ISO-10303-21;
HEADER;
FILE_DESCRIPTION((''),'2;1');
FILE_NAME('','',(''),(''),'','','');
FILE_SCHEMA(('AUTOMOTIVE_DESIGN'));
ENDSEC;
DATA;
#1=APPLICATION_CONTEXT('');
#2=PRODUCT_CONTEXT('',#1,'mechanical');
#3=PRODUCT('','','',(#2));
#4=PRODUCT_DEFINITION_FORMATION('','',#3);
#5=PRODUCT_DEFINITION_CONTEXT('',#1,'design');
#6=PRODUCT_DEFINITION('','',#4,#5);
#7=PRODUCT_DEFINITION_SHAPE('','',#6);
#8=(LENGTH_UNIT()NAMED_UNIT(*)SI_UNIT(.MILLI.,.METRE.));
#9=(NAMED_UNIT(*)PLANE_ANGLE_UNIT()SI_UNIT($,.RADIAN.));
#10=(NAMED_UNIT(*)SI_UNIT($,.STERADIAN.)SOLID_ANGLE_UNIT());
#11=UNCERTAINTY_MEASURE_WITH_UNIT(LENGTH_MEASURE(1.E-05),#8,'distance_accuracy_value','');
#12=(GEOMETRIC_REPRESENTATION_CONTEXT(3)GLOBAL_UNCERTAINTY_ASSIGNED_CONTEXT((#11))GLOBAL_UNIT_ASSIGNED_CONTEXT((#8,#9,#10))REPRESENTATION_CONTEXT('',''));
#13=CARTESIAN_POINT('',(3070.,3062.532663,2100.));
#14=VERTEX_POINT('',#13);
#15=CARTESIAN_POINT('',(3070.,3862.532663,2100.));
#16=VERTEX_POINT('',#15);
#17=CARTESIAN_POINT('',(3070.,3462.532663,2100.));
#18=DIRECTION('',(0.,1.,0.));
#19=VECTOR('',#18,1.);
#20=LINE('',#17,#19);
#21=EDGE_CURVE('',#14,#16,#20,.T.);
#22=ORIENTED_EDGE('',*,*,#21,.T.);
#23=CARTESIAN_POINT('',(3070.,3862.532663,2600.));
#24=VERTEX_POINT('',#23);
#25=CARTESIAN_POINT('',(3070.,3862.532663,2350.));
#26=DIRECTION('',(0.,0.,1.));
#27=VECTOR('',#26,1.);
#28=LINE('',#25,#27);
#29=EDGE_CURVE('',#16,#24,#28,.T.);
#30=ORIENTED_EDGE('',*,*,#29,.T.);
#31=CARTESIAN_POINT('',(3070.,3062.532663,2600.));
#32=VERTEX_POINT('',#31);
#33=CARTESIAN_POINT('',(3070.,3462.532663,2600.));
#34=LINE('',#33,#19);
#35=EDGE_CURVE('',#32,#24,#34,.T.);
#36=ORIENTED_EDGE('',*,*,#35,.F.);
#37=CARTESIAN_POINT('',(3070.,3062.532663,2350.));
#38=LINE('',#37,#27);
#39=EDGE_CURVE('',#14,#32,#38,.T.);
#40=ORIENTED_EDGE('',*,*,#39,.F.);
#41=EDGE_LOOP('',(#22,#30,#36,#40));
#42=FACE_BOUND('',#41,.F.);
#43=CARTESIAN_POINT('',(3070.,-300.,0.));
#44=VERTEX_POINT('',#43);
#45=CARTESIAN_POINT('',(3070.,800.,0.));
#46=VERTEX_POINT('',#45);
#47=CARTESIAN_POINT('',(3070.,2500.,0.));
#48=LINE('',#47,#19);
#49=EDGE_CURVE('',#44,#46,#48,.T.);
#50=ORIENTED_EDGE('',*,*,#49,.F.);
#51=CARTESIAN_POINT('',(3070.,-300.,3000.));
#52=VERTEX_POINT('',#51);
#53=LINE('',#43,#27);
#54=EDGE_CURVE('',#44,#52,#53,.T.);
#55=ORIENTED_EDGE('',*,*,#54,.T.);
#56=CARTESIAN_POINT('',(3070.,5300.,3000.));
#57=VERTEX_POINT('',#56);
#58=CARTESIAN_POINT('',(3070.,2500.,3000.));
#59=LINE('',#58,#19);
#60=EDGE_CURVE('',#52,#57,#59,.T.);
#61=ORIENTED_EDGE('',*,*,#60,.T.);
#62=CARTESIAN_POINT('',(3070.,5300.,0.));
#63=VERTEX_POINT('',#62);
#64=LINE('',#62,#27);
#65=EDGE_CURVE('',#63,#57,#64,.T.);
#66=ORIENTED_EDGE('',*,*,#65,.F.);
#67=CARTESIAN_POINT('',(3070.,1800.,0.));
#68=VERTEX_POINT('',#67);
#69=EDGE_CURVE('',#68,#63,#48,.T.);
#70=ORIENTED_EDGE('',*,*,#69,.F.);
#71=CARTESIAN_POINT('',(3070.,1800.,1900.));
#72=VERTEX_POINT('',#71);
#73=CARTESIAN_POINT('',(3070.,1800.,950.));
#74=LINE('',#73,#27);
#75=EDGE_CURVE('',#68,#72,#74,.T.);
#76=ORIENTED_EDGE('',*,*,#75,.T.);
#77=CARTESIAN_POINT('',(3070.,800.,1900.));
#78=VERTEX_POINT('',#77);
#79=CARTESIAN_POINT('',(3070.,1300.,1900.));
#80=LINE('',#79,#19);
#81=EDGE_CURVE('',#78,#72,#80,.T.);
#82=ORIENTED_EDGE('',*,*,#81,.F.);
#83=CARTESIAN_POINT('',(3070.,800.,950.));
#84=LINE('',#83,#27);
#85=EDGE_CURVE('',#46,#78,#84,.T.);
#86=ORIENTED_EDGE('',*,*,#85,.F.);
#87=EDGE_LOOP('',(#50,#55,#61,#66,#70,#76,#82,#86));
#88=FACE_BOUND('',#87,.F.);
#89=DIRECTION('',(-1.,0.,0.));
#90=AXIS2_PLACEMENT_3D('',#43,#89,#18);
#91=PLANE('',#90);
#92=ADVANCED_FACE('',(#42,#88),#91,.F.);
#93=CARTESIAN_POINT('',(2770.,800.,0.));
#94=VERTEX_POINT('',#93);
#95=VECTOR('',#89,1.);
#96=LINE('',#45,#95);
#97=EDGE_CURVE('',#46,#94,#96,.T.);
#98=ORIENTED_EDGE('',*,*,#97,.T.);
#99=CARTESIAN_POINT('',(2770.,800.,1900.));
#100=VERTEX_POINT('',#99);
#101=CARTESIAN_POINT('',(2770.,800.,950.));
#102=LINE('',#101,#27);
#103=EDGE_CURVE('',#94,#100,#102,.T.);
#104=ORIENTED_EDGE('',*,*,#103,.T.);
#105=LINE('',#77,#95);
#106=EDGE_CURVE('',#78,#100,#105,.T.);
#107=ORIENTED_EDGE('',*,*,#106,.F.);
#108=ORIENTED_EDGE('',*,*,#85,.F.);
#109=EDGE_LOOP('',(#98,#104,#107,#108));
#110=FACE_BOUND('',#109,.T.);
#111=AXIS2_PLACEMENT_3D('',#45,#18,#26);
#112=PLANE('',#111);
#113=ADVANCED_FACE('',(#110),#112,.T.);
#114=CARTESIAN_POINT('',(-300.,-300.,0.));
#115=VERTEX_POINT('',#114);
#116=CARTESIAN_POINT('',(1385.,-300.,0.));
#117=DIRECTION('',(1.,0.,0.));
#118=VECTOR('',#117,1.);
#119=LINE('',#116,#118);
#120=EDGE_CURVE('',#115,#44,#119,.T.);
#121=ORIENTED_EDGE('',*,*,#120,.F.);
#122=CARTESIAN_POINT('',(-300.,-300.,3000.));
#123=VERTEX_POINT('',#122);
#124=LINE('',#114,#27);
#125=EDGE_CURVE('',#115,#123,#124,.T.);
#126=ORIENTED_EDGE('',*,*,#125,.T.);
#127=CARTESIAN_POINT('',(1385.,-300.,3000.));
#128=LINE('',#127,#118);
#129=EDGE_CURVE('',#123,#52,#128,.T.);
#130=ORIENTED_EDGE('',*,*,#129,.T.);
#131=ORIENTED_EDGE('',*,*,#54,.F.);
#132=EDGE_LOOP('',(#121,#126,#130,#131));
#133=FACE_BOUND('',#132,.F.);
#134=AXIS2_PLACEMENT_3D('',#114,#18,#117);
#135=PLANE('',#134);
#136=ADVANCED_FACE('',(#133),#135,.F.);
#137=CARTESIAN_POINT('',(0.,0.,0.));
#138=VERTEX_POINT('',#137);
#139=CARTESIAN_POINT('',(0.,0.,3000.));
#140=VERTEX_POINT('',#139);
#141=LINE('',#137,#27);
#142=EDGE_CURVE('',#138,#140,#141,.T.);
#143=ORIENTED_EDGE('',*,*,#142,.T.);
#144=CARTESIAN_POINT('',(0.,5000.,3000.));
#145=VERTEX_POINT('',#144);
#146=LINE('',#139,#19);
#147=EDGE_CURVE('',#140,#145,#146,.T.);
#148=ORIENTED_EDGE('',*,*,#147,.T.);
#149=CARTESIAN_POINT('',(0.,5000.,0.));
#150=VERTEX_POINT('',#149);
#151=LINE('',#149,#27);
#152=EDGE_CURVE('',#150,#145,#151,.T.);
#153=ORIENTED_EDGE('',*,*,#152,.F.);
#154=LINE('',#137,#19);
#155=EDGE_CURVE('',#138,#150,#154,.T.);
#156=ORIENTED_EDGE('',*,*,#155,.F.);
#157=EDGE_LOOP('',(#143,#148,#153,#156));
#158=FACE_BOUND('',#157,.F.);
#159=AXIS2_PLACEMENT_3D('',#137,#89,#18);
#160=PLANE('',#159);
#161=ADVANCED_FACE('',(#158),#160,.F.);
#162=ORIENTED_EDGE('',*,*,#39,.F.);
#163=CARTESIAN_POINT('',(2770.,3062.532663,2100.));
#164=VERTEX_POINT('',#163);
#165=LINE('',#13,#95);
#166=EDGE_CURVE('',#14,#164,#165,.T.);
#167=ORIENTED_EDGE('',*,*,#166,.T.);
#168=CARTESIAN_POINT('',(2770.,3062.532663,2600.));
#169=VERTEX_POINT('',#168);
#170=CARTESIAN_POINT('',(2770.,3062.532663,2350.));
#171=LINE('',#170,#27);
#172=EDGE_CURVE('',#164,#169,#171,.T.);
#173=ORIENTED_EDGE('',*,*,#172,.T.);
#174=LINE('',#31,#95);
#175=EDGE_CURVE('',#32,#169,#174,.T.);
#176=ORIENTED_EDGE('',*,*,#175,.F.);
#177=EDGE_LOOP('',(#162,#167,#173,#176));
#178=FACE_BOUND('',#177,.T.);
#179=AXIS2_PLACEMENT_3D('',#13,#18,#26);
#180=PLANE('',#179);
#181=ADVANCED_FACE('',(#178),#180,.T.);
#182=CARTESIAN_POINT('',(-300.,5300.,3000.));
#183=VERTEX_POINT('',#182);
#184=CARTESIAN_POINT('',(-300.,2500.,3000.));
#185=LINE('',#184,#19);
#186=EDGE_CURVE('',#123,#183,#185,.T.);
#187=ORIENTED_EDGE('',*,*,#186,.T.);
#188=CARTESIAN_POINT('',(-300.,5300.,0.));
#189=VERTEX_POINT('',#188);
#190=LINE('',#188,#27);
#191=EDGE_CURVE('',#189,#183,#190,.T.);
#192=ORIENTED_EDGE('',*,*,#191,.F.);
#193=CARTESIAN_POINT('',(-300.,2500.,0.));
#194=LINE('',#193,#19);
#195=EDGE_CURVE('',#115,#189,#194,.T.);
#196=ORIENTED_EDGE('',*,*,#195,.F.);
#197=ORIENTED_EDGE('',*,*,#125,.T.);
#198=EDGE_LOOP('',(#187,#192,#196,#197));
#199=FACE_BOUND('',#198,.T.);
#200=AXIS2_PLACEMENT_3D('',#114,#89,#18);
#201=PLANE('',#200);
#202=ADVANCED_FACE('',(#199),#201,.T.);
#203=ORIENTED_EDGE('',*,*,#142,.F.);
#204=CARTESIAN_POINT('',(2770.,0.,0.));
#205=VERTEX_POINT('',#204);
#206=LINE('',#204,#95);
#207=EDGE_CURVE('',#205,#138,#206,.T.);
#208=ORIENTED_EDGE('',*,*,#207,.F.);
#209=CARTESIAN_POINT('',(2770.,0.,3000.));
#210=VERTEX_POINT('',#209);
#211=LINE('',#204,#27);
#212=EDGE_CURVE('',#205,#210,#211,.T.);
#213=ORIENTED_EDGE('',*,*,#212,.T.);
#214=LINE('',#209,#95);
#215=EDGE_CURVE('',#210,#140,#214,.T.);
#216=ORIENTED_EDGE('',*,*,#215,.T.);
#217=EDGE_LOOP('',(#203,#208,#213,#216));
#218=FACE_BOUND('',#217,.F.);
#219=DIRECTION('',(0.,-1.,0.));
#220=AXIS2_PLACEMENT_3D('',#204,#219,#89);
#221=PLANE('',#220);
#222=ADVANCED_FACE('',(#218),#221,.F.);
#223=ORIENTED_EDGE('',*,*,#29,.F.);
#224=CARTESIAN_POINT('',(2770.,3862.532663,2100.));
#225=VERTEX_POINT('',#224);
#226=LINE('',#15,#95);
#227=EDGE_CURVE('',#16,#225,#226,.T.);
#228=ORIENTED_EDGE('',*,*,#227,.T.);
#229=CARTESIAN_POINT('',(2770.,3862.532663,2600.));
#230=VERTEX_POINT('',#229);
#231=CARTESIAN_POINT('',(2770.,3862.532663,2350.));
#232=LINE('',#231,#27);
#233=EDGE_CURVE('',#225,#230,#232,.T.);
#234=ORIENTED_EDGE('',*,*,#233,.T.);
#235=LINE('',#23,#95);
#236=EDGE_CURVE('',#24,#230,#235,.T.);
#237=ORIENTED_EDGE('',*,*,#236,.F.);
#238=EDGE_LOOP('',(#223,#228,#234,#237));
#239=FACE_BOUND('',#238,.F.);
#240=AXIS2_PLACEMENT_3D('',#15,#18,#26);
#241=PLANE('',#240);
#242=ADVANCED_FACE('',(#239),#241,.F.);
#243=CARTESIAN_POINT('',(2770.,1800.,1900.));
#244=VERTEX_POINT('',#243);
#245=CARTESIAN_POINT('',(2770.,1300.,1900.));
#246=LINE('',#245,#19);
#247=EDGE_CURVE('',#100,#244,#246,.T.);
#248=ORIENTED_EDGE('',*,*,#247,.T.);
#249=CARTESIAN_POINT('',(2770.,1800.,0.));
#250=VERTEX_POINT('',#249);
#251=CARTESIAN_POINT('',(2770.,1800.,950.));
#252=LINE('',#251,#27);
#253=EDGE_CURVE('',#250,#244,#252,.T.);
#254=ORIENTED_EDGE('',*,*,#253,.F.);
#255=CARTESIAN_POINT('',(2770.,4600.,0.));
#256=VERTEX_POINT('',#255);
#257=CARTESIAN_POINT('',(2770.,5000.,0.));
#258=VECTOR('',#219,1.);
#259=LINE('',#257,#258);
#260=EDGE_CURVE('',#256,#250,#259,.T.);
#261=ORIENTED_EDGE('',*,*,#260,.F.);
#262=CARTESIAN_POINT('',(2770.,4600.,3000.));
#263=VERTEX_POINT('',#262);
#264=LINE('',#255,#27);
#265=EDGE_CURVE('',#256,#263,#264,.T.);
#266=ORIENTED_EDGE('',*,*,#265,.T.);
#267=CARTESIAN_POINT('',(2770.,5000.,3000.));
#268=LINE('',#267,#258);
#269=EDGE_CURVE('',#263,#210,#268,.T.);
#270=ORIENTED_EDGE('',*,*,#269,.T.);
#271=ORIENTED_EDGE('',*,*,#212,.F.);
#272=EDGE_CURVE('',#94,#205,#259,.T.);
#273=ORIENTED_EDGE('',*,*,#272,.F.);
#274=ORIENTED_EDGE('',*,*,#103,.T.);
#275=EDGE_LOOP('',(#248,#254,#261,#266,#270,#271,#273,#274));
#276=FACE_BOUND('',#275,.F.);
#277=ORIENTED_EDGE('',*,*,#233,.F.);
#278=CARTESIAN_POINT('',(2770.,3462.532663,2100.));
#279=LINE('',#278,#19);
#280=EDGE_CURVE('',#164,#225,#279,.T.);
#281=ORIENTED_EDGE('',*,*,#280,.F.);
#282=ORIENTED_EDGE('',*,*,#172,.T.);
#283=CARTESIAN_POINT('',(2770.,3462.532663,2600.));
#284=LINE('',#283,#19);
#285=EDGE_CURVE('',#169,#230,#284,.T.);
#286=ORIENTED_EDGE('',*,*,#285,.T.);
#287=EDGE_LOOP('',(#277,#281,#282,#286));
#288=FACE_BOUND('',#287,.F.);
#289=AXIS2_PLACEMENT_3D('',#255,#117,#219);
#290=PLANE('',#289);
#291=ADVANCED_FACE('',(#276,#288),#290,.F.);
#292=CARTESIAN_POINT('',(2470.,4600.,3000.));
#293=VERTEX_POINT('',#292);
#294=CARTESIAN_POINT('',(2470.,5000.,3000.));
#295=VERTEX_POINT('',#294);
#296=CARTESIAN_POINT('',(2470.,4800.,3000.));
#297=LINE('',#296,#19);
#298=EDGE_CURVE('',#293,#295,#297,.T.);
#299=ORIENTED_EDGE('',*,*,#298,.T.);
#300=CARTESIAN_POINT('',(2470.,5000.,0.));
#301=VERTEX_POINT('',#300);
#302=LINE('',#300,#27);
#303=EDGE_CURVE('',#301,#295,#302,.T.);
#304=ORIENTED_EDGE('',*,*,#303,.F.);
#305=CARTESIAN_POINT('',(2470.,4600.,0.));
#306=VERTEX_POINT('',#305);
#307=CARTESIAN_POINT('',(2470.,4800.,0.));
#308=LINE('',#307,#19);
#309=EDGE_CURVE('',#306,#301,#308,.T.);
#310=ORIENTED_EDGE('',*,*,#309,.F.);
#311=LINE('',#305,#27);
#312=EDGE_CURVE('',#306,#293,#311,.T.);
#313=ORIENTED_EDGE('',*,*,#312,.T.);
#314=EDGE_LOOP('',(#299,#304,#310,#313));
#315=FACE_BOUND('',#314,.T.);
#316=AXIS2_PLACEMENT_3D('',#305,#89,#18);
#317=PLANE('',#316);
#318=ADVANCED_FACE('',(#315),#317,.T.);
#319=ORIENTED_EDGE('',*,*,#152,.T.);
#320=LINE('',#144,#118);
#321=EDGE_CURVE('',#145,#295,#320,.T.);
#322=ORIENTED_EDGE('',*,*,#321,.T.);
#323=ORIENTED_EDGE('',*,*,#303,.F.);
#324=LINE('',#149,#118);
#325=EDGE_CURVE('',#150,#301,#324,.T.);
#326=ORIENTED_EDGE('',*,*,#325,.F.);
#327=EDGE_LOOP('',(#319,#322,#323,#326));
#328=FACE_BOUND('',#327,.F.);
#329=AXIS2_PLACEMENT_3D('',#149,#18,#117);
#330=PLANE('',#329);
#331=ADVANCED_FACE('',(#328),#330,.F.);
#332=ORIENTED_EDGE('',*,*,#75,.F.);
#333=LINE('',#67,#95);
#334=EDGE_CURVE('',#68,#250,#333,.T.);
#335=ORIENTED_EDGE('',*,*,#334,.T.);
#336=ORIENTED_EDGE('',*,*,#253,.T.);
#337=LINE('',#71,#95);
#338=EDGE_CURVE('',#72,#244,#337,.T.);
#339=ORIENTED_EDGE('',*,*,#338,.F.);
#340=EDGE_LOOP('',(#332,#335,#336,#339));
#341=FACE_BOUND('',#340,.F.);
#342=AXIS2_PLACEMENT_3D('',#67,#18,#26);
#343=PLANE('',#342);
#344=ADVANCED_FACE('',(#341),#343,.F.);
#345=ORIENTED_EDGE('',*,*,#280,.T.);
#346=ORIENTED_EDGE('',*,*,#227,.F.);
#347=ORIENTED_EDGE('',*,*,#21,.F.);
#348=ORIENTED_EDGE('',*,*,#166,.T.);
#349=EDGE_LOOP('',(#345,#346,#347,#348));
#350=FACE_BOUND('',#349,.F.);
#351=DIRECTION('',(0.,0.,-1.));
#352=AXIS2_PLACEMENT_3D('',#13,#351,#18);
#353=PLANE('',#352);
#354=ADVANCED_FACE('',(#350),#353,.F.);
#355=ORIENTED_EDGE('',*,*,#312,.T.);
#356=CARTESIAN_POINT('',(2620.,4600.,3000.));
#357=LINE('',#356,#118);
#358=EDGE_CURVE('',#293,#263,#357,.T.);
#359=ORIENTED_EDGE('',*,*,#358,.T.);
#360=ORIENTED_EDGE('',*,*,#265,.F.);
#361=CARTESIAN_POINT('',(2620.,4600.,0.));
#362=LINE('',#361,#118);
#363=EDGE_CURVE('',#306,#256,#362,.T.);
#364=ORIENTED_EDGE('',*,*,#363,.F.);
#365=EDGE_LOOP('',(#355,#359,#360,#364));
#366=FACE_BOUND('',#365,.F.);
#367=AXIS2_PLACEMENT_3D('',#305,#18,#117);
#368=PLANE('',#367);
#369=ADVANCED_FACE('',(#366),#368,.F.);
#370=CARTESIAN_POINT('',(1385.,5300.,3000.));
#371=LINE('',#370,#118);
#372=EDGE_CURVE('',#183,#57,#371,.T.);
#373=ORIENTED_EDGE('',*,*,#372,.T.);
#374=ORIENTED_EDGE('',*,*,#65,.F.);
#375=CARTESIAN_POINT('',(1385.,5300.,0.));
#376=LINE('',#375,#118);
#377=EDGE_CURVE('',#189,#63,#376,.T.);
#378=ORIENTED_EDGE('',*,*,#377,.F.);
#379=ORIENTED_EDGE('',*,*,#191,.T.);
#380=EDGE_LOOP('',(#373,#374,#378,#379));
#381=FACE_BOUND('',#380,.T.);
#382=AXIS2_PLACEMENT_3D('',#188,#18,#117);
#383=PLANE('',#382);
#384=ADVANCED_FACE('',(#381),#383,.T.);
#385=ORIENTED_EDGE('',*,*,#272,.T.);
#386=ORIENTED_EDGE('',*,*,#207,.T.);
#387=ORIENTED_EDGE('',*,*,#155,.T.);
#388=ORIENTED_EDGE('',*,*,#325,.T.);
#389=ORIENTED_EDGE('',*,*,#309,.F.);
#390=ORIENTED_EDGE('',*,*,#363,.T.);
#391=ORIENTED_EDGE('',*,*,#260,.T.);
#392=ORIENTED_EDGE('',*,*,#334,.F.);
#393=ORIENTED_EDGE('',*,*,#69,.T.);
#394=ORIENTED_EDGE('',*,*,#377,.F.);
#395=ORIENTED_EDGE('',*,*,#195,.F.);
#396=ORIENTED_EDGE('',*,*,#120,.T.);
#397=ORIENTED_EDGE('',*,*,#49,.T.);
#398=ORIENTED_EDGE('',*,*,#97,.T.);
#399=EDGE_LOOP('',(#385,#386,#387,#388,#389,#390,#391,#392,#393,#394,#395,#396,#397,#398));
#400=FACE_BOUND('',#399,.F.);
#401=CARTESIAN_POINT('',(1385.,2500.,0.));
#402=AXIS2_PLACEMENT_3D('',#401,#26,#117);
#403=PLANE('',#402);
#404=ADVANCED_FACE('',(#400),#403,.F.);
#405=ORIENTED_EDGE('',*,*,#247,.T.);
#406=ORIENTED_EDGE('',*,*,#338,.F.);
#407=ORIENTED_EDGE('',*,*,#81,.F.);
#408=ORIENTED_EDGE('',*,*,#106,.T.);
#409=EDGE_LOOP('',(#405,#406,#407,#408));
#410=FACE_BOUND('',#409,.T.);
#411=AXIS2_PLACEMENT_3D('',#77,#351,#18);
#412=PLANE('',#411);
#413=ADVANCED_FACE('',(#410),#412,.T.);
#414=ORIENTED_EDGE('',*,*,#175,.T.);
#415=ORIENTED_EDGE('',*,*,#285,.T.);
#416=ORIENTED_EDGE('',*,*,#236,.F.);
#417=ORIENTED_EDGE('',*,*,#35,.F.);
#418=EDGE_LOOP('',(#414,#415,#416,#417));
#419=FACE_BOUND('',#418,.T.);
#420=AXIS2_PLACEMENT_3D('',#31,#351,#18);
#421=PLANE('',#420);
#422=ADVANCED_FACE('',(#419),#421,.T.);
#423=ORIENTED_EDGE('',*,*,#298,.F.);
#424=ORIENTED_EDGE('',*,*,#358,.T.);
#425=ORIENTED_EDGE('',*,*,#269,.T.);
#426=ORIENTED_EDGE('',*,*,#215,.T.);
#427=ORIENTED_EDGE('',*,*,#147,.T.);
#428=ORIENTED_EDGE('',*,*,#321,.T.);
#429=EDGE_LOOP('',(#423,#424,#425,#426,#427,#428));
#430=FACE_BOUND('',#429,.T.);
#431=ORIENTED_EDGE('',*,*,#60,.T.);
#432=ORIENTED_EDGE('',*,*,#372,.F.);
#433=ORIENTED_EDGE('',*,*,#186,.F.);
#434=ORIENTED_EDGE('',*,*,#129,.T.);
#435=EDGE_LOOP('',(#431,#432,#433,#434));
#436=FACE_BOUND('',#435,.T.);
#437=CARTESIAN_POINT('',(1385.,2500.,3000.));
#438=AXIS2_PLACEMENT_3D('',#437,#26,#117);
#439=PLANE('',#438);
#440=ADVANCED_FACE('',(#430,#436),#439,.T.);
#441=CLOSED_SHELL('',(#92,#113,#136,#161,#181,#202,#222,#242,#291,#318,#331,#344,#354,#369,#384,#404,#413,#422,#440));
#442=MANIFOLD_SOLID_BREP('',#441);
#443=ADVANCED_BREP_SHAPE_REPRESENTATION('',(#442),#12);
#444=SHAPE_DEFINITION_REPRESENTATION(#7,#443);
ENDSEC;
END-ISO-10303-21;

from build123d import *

# Parameters (mm, degrees)
F0_W     = 3370
F0_H     = 5600
F0_W_2   = 300
F0_H_2   = 400
F1_DEPTH = 3000
F2_W     = 1000
F2_H     = 1900
F2_W_2   = 800
F2_H_2   = 500
F3_DEPTH = 300


with BuildPart() as f1:
    # F0 (on Top) → F1 (new body)
    with BuildSketch(Plane.XY):
        with Locations((1385, 2500)):
            Rectangle(F0_W, F0_H)
        Polygon((2770, 0), (0, 0), (0, 5000), (2470, 5000), (2770, 5000), (2770, 4600), align=None, mode=Mode.SUBTRACT)
        with Locations((2620, 4800)):
            Rectangle(F0_W_2, F0_H_2)
    extrude(amount=F1_DEPTH)

    # F2 (on face) → F3 (cut, through all)
    with BuildSketch(Plane.YZ.offset(3070)):
        with Locations((1300, 950)):
            Rectangle(F2_W, F2_H)
        with Locations((3462.532663, 2350)):
            Rectangle(F2_W_2, F2_H_2)
    extrude(amount=-F3_DEPTH, mode=Mode.SUBTRACT)


solid = f1.part
